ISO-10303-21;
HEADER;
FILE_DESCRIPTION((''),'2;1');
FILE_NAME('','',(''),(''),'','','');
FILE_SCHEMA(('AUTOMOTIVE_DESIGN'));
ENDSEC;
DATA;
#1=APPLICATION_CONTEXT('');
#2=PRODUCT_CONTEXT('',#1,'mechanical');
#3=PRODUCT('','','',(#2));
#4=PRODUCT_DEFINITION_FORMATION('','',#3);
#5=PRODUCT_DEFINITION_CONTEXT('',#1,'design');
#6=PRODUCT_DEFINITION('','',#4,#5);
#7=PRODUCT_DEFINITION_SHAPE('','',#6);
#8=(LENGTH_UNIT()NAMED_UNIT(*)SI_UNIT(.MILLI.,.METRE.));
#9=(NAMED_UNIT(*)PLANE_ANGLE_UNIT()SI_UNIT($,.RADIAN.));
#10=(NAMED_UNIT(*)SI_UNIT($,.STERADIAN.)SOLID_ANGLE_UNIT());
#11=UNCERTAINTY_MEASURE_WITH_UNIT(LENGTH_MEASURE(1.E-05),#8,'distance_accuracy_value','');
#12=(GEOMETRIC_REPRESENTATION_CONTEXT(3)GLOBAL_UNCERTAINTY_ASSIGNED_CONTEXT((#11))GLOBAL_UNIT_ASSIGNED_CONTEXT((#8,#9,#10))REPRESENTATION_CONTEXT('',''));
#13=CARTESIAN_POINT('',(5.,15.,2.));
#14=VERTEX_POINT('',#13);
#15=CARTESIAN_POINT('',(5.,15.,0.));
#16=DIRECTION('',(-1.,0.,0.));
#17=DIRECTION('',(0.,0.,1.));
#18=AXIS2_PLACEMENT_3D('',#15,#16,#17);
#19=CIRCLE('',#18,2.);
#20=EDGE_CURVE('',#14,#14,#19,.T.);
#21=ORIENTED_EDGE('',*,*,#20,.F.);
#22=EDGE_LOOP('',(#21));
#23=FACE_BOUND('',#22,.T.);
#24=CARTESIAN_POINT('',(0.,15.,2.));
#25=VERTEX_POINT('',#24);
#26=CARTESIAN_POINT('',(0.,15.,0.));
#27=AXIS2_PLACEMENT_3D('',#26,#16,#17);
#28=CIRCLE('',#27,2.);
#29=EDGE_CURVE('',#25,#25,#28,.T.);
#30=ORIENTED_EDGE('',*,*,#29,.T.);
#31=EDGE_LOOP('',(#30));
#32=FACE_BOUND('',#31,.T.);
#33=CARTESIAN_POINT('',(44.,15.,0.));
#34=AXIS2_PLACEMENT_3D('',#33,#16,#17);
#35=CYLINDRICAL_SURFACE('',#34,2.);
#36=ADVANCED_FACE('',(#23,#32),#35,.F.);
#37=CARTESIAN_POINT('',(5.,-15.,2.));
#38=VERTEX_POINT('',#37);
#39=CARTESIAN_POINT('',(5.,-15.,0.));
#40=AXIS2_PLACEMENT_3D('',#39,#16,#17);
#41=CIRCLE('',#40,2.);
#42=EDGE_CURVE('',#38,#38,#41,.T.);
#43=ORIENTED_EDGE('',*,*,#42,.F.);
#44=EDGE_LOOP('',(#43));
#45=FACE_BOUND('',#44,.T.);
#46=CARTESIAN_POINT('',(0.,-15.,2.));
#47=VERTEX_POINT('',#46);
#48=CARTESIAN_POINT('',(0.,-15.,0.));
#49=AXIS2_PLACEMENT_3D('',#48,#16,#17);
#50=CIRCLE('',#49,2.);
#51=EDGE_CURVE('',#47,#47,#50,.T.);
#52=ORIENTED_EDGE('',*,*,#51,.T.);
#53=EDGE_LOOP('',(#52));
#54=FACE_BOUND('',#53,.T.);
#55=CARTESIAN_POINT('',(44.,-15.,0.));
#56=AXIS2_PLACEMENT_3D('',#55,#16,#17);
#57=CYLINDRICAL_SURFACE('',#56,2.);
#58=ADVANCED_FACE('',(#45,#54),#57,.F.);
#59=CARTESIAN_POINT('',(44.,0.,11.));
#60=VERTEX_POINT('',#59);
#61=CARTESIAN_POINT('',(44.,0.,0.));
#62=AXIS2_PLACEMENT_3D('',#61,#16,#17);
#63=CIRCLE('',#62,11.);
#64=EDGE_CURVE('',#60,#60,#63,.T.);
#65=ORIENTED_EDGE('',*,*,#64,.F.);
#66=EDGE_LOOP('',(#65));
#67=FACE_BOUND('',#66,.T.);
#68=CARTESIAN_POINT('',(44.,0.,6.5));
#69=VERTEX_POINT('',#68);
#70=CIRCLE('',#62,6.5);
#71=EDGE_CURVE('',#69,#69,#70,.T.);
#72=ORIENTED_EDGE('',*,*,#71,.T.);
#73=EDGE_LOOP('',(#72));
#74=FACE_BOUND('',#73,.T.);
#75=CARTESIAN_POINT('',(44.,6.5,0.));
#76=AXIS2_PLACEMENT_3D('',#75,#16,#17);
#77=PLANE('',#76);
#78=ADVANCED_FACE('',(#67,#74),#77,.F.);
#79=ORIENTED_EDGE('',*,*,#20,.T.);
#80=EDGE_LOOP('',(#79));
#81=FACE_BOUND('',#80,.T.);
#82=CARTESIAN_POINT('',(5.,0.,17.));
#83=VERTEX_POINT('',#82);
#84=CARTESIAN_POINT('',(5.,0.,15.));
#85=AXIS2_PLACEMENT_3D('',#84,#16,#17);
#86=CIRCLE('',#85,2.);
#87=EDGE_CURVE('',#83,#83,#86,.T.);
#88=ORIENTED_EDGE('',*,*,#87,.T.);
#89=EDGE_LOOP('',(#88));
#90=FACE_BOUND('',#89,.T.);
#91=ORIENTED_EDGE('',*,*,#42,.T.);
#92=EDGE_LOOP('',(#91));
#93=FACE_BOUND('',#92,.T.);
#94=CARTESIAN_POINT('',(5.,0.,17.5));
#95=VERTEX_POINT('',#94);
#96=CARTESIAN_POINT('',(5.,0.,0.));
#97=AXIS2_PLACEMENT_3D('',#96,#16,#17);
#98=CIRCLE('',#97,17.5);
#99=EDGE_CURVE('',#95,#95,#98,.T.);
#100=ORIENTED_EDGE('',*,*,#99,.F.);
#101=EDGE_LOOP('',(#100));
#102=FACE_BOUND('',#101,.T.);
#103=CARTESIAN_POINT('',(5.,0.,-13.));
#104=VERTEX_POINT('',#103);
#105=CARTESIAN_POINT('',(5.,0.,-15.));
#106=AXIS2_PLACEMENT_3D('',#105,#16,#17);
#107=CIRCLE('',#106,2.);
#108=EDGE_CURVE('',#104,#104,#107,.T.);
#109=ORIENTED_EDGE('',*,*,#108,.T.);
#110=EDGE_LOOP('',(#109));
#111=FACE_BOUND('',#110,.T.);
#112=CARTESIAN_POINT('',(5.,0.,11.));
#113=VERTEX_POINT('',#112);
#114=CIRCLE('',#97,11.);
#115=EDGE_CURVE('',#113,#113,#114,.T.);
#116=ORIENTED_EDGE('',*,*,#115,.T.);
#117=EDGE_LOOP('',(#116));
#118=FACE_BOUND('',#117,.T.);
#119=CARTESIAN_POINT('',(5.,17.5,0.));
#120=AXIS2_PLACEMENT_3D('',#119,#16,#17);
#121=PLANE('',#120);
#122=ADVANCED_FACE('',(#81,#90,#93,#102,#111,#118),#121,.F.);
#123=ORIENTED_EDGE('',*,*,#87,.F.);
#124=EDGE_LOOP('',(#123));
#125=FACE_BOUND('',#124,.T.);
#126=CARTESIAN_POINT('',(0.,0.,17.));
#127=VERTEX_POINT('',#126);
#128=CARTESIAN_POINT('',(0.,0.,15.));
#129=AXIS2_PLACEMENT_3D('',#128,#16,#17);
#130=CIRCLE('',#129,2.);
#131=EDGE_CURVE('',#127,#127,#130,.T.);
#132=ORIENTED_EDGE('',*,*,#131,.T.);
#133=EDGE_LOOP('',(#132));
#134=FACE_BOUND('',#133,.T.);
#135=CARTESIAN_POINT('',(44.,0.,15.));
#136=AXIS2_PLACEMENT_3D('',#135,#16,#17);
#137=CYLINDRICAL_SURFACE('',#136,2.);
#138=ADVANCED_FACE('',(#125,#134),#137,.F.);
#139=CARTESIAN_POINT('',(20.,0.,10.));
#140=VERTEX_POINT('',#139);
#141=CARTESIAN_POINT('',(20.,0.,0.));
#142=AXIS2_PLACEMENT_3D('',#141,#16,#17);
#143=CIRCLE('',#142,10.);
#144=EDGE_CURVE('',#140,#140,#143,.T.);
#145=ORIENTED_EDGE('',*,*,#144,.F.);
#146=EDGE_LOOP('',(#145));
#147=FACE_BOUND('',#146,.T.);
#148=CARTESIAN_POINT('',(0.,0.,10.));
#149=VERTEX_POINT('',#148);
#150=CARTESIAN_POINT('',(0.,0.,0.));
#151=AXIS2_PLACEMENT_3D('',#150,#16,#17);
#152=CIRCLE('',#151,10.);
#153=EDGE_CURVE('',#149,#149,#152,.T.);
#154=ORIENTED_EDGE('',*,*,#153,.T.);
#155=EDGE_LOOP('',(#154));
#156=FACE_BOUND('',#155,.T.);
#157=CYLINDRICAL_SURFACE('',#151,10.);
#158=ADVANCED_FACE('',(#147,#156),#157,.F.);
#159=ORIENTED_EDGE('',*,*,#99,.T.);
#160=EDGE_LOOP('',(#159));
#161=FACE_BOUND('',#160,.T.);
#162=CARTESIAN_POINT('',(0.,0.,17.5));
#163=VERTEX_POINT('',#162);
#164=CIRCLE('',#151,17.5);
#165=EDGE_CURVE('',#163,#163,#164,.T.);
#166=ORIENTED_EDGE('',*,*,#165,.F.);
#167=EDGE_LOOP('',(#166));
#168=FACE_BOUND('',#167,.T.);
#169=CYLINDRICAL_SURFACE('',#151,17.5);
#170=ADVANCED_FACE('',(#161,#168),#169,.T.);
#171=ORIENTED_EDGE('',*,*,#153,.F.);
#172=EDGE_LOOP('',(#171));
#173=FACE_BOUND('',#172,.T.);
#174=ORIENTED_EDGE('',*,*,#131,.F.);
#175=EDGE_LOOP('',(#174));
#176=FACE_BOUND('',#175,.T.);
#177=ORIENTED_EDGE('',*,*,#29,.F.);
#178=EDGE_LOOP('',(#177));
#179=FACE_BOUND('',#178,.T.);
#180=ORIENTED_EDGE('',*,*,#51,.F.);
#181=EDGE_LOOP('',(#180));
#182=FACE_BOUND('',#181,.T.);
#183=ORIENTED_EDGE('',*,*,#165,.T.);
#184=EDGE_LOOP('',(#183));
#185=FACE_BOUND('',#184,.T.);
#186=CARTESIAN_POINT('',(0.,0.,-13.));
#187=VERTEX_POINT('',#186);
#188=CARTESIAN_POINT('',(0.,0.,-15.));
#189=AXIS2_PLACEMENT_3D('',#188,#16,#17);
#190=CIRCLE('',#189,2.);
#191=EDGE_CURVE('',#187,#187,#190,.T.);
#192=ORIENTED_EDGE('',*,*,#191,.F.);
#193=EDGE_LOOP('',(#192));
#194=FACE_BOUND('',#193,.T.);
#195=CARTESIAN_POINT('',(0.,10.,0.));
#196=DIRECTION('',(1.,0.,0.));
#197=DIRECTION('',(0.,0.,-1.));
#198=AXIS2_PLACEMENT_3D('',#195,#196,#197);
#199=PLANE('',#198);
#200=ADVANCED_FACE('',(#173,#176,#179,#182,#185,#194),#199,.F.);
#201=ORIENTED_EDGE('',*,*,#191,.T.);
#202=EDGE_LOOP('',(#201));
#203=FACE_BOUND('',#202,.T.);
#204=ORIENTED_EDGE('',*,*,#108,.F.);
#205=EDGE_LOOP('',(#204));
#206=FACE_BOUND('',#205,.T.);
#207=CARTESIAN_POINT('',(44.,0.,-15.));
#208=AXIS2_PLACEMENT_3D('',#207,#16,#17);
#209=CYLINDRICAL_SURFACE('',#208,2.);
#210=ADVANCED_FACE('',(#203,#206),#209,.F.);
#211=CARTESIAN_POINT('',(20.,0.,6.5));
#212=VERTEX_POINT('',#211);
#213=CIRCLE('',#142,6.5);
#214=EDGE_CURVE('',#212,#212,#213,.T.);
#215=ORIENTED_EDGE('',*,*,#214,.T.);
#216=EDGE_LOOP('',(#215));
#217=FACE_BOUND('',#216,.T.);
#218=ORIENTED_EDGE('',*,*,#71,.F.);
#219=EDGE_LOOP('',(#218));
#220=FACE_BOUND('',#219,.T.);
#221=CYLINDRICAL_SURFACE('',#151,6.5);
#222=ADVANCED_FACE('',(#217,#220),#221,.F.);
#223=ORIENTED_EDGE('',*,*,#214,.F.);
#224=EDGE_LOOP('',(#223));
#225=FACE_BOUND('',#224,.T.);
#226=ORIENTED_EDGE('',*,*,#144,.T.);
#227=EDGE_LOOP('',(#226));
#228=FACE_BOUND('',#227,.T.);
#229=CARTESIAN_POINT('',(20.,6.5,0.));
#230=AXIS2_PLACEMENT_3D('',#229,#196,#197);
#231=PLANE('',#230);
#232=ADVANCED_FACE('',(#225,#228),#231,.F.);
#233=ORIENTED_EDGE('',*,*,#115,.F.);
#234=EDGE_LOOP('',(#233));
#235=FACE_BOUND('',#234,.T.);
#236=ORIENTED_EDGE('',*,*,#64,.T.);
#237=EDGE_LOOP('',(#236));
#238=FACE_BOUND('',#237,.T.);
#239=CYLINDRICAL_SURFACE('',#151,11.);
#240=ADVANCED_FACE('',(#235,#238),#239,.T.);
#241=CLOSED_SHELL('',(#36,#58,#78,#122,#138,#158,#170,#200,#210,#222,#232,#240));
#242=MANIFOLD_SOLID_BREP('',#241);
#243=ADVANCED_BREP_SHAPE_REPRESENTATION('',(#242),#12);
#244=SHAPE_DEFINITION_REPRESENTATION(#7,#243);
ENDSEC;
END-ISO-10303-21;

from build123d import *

# Parameters (mm, degrees)
ESQUISSE2_R      = 2
EXTRUSION1_DEPTH = 45


with BuildPart() as part:
    # Esquisse1 → Révolution1 (revolve)
    with BuildSketch(Plane.XY):
        Polygon((0, 10), (0, 17.5), (5, 17.5), (5, 11), (44, 11), (44, 6.5), (20, 6.5), (20, 10), align=None)
    revolve(axis=Axis((0, 0, 0), (1, 0, 0)))

    # Esquisse2 → Extrusion1 (cut, through all)
    with BuildSketch(Plane.ZY):
        with Locations((0, 15)):
            Circle(ESQUISSE2_R)
        with Locations((15, 0)):
            Circle(ESQUISSE2_R)
        with Locations((0, -15)):
            Circle(ESQUISSE2_R)
        with Locations((-15, 0)):
            Circle(ESQUISSE2_R)
    extrude(amount=-EXTRUSION1_DEPTH, mode=Mode.SUBTRACT)


solid = part.part
